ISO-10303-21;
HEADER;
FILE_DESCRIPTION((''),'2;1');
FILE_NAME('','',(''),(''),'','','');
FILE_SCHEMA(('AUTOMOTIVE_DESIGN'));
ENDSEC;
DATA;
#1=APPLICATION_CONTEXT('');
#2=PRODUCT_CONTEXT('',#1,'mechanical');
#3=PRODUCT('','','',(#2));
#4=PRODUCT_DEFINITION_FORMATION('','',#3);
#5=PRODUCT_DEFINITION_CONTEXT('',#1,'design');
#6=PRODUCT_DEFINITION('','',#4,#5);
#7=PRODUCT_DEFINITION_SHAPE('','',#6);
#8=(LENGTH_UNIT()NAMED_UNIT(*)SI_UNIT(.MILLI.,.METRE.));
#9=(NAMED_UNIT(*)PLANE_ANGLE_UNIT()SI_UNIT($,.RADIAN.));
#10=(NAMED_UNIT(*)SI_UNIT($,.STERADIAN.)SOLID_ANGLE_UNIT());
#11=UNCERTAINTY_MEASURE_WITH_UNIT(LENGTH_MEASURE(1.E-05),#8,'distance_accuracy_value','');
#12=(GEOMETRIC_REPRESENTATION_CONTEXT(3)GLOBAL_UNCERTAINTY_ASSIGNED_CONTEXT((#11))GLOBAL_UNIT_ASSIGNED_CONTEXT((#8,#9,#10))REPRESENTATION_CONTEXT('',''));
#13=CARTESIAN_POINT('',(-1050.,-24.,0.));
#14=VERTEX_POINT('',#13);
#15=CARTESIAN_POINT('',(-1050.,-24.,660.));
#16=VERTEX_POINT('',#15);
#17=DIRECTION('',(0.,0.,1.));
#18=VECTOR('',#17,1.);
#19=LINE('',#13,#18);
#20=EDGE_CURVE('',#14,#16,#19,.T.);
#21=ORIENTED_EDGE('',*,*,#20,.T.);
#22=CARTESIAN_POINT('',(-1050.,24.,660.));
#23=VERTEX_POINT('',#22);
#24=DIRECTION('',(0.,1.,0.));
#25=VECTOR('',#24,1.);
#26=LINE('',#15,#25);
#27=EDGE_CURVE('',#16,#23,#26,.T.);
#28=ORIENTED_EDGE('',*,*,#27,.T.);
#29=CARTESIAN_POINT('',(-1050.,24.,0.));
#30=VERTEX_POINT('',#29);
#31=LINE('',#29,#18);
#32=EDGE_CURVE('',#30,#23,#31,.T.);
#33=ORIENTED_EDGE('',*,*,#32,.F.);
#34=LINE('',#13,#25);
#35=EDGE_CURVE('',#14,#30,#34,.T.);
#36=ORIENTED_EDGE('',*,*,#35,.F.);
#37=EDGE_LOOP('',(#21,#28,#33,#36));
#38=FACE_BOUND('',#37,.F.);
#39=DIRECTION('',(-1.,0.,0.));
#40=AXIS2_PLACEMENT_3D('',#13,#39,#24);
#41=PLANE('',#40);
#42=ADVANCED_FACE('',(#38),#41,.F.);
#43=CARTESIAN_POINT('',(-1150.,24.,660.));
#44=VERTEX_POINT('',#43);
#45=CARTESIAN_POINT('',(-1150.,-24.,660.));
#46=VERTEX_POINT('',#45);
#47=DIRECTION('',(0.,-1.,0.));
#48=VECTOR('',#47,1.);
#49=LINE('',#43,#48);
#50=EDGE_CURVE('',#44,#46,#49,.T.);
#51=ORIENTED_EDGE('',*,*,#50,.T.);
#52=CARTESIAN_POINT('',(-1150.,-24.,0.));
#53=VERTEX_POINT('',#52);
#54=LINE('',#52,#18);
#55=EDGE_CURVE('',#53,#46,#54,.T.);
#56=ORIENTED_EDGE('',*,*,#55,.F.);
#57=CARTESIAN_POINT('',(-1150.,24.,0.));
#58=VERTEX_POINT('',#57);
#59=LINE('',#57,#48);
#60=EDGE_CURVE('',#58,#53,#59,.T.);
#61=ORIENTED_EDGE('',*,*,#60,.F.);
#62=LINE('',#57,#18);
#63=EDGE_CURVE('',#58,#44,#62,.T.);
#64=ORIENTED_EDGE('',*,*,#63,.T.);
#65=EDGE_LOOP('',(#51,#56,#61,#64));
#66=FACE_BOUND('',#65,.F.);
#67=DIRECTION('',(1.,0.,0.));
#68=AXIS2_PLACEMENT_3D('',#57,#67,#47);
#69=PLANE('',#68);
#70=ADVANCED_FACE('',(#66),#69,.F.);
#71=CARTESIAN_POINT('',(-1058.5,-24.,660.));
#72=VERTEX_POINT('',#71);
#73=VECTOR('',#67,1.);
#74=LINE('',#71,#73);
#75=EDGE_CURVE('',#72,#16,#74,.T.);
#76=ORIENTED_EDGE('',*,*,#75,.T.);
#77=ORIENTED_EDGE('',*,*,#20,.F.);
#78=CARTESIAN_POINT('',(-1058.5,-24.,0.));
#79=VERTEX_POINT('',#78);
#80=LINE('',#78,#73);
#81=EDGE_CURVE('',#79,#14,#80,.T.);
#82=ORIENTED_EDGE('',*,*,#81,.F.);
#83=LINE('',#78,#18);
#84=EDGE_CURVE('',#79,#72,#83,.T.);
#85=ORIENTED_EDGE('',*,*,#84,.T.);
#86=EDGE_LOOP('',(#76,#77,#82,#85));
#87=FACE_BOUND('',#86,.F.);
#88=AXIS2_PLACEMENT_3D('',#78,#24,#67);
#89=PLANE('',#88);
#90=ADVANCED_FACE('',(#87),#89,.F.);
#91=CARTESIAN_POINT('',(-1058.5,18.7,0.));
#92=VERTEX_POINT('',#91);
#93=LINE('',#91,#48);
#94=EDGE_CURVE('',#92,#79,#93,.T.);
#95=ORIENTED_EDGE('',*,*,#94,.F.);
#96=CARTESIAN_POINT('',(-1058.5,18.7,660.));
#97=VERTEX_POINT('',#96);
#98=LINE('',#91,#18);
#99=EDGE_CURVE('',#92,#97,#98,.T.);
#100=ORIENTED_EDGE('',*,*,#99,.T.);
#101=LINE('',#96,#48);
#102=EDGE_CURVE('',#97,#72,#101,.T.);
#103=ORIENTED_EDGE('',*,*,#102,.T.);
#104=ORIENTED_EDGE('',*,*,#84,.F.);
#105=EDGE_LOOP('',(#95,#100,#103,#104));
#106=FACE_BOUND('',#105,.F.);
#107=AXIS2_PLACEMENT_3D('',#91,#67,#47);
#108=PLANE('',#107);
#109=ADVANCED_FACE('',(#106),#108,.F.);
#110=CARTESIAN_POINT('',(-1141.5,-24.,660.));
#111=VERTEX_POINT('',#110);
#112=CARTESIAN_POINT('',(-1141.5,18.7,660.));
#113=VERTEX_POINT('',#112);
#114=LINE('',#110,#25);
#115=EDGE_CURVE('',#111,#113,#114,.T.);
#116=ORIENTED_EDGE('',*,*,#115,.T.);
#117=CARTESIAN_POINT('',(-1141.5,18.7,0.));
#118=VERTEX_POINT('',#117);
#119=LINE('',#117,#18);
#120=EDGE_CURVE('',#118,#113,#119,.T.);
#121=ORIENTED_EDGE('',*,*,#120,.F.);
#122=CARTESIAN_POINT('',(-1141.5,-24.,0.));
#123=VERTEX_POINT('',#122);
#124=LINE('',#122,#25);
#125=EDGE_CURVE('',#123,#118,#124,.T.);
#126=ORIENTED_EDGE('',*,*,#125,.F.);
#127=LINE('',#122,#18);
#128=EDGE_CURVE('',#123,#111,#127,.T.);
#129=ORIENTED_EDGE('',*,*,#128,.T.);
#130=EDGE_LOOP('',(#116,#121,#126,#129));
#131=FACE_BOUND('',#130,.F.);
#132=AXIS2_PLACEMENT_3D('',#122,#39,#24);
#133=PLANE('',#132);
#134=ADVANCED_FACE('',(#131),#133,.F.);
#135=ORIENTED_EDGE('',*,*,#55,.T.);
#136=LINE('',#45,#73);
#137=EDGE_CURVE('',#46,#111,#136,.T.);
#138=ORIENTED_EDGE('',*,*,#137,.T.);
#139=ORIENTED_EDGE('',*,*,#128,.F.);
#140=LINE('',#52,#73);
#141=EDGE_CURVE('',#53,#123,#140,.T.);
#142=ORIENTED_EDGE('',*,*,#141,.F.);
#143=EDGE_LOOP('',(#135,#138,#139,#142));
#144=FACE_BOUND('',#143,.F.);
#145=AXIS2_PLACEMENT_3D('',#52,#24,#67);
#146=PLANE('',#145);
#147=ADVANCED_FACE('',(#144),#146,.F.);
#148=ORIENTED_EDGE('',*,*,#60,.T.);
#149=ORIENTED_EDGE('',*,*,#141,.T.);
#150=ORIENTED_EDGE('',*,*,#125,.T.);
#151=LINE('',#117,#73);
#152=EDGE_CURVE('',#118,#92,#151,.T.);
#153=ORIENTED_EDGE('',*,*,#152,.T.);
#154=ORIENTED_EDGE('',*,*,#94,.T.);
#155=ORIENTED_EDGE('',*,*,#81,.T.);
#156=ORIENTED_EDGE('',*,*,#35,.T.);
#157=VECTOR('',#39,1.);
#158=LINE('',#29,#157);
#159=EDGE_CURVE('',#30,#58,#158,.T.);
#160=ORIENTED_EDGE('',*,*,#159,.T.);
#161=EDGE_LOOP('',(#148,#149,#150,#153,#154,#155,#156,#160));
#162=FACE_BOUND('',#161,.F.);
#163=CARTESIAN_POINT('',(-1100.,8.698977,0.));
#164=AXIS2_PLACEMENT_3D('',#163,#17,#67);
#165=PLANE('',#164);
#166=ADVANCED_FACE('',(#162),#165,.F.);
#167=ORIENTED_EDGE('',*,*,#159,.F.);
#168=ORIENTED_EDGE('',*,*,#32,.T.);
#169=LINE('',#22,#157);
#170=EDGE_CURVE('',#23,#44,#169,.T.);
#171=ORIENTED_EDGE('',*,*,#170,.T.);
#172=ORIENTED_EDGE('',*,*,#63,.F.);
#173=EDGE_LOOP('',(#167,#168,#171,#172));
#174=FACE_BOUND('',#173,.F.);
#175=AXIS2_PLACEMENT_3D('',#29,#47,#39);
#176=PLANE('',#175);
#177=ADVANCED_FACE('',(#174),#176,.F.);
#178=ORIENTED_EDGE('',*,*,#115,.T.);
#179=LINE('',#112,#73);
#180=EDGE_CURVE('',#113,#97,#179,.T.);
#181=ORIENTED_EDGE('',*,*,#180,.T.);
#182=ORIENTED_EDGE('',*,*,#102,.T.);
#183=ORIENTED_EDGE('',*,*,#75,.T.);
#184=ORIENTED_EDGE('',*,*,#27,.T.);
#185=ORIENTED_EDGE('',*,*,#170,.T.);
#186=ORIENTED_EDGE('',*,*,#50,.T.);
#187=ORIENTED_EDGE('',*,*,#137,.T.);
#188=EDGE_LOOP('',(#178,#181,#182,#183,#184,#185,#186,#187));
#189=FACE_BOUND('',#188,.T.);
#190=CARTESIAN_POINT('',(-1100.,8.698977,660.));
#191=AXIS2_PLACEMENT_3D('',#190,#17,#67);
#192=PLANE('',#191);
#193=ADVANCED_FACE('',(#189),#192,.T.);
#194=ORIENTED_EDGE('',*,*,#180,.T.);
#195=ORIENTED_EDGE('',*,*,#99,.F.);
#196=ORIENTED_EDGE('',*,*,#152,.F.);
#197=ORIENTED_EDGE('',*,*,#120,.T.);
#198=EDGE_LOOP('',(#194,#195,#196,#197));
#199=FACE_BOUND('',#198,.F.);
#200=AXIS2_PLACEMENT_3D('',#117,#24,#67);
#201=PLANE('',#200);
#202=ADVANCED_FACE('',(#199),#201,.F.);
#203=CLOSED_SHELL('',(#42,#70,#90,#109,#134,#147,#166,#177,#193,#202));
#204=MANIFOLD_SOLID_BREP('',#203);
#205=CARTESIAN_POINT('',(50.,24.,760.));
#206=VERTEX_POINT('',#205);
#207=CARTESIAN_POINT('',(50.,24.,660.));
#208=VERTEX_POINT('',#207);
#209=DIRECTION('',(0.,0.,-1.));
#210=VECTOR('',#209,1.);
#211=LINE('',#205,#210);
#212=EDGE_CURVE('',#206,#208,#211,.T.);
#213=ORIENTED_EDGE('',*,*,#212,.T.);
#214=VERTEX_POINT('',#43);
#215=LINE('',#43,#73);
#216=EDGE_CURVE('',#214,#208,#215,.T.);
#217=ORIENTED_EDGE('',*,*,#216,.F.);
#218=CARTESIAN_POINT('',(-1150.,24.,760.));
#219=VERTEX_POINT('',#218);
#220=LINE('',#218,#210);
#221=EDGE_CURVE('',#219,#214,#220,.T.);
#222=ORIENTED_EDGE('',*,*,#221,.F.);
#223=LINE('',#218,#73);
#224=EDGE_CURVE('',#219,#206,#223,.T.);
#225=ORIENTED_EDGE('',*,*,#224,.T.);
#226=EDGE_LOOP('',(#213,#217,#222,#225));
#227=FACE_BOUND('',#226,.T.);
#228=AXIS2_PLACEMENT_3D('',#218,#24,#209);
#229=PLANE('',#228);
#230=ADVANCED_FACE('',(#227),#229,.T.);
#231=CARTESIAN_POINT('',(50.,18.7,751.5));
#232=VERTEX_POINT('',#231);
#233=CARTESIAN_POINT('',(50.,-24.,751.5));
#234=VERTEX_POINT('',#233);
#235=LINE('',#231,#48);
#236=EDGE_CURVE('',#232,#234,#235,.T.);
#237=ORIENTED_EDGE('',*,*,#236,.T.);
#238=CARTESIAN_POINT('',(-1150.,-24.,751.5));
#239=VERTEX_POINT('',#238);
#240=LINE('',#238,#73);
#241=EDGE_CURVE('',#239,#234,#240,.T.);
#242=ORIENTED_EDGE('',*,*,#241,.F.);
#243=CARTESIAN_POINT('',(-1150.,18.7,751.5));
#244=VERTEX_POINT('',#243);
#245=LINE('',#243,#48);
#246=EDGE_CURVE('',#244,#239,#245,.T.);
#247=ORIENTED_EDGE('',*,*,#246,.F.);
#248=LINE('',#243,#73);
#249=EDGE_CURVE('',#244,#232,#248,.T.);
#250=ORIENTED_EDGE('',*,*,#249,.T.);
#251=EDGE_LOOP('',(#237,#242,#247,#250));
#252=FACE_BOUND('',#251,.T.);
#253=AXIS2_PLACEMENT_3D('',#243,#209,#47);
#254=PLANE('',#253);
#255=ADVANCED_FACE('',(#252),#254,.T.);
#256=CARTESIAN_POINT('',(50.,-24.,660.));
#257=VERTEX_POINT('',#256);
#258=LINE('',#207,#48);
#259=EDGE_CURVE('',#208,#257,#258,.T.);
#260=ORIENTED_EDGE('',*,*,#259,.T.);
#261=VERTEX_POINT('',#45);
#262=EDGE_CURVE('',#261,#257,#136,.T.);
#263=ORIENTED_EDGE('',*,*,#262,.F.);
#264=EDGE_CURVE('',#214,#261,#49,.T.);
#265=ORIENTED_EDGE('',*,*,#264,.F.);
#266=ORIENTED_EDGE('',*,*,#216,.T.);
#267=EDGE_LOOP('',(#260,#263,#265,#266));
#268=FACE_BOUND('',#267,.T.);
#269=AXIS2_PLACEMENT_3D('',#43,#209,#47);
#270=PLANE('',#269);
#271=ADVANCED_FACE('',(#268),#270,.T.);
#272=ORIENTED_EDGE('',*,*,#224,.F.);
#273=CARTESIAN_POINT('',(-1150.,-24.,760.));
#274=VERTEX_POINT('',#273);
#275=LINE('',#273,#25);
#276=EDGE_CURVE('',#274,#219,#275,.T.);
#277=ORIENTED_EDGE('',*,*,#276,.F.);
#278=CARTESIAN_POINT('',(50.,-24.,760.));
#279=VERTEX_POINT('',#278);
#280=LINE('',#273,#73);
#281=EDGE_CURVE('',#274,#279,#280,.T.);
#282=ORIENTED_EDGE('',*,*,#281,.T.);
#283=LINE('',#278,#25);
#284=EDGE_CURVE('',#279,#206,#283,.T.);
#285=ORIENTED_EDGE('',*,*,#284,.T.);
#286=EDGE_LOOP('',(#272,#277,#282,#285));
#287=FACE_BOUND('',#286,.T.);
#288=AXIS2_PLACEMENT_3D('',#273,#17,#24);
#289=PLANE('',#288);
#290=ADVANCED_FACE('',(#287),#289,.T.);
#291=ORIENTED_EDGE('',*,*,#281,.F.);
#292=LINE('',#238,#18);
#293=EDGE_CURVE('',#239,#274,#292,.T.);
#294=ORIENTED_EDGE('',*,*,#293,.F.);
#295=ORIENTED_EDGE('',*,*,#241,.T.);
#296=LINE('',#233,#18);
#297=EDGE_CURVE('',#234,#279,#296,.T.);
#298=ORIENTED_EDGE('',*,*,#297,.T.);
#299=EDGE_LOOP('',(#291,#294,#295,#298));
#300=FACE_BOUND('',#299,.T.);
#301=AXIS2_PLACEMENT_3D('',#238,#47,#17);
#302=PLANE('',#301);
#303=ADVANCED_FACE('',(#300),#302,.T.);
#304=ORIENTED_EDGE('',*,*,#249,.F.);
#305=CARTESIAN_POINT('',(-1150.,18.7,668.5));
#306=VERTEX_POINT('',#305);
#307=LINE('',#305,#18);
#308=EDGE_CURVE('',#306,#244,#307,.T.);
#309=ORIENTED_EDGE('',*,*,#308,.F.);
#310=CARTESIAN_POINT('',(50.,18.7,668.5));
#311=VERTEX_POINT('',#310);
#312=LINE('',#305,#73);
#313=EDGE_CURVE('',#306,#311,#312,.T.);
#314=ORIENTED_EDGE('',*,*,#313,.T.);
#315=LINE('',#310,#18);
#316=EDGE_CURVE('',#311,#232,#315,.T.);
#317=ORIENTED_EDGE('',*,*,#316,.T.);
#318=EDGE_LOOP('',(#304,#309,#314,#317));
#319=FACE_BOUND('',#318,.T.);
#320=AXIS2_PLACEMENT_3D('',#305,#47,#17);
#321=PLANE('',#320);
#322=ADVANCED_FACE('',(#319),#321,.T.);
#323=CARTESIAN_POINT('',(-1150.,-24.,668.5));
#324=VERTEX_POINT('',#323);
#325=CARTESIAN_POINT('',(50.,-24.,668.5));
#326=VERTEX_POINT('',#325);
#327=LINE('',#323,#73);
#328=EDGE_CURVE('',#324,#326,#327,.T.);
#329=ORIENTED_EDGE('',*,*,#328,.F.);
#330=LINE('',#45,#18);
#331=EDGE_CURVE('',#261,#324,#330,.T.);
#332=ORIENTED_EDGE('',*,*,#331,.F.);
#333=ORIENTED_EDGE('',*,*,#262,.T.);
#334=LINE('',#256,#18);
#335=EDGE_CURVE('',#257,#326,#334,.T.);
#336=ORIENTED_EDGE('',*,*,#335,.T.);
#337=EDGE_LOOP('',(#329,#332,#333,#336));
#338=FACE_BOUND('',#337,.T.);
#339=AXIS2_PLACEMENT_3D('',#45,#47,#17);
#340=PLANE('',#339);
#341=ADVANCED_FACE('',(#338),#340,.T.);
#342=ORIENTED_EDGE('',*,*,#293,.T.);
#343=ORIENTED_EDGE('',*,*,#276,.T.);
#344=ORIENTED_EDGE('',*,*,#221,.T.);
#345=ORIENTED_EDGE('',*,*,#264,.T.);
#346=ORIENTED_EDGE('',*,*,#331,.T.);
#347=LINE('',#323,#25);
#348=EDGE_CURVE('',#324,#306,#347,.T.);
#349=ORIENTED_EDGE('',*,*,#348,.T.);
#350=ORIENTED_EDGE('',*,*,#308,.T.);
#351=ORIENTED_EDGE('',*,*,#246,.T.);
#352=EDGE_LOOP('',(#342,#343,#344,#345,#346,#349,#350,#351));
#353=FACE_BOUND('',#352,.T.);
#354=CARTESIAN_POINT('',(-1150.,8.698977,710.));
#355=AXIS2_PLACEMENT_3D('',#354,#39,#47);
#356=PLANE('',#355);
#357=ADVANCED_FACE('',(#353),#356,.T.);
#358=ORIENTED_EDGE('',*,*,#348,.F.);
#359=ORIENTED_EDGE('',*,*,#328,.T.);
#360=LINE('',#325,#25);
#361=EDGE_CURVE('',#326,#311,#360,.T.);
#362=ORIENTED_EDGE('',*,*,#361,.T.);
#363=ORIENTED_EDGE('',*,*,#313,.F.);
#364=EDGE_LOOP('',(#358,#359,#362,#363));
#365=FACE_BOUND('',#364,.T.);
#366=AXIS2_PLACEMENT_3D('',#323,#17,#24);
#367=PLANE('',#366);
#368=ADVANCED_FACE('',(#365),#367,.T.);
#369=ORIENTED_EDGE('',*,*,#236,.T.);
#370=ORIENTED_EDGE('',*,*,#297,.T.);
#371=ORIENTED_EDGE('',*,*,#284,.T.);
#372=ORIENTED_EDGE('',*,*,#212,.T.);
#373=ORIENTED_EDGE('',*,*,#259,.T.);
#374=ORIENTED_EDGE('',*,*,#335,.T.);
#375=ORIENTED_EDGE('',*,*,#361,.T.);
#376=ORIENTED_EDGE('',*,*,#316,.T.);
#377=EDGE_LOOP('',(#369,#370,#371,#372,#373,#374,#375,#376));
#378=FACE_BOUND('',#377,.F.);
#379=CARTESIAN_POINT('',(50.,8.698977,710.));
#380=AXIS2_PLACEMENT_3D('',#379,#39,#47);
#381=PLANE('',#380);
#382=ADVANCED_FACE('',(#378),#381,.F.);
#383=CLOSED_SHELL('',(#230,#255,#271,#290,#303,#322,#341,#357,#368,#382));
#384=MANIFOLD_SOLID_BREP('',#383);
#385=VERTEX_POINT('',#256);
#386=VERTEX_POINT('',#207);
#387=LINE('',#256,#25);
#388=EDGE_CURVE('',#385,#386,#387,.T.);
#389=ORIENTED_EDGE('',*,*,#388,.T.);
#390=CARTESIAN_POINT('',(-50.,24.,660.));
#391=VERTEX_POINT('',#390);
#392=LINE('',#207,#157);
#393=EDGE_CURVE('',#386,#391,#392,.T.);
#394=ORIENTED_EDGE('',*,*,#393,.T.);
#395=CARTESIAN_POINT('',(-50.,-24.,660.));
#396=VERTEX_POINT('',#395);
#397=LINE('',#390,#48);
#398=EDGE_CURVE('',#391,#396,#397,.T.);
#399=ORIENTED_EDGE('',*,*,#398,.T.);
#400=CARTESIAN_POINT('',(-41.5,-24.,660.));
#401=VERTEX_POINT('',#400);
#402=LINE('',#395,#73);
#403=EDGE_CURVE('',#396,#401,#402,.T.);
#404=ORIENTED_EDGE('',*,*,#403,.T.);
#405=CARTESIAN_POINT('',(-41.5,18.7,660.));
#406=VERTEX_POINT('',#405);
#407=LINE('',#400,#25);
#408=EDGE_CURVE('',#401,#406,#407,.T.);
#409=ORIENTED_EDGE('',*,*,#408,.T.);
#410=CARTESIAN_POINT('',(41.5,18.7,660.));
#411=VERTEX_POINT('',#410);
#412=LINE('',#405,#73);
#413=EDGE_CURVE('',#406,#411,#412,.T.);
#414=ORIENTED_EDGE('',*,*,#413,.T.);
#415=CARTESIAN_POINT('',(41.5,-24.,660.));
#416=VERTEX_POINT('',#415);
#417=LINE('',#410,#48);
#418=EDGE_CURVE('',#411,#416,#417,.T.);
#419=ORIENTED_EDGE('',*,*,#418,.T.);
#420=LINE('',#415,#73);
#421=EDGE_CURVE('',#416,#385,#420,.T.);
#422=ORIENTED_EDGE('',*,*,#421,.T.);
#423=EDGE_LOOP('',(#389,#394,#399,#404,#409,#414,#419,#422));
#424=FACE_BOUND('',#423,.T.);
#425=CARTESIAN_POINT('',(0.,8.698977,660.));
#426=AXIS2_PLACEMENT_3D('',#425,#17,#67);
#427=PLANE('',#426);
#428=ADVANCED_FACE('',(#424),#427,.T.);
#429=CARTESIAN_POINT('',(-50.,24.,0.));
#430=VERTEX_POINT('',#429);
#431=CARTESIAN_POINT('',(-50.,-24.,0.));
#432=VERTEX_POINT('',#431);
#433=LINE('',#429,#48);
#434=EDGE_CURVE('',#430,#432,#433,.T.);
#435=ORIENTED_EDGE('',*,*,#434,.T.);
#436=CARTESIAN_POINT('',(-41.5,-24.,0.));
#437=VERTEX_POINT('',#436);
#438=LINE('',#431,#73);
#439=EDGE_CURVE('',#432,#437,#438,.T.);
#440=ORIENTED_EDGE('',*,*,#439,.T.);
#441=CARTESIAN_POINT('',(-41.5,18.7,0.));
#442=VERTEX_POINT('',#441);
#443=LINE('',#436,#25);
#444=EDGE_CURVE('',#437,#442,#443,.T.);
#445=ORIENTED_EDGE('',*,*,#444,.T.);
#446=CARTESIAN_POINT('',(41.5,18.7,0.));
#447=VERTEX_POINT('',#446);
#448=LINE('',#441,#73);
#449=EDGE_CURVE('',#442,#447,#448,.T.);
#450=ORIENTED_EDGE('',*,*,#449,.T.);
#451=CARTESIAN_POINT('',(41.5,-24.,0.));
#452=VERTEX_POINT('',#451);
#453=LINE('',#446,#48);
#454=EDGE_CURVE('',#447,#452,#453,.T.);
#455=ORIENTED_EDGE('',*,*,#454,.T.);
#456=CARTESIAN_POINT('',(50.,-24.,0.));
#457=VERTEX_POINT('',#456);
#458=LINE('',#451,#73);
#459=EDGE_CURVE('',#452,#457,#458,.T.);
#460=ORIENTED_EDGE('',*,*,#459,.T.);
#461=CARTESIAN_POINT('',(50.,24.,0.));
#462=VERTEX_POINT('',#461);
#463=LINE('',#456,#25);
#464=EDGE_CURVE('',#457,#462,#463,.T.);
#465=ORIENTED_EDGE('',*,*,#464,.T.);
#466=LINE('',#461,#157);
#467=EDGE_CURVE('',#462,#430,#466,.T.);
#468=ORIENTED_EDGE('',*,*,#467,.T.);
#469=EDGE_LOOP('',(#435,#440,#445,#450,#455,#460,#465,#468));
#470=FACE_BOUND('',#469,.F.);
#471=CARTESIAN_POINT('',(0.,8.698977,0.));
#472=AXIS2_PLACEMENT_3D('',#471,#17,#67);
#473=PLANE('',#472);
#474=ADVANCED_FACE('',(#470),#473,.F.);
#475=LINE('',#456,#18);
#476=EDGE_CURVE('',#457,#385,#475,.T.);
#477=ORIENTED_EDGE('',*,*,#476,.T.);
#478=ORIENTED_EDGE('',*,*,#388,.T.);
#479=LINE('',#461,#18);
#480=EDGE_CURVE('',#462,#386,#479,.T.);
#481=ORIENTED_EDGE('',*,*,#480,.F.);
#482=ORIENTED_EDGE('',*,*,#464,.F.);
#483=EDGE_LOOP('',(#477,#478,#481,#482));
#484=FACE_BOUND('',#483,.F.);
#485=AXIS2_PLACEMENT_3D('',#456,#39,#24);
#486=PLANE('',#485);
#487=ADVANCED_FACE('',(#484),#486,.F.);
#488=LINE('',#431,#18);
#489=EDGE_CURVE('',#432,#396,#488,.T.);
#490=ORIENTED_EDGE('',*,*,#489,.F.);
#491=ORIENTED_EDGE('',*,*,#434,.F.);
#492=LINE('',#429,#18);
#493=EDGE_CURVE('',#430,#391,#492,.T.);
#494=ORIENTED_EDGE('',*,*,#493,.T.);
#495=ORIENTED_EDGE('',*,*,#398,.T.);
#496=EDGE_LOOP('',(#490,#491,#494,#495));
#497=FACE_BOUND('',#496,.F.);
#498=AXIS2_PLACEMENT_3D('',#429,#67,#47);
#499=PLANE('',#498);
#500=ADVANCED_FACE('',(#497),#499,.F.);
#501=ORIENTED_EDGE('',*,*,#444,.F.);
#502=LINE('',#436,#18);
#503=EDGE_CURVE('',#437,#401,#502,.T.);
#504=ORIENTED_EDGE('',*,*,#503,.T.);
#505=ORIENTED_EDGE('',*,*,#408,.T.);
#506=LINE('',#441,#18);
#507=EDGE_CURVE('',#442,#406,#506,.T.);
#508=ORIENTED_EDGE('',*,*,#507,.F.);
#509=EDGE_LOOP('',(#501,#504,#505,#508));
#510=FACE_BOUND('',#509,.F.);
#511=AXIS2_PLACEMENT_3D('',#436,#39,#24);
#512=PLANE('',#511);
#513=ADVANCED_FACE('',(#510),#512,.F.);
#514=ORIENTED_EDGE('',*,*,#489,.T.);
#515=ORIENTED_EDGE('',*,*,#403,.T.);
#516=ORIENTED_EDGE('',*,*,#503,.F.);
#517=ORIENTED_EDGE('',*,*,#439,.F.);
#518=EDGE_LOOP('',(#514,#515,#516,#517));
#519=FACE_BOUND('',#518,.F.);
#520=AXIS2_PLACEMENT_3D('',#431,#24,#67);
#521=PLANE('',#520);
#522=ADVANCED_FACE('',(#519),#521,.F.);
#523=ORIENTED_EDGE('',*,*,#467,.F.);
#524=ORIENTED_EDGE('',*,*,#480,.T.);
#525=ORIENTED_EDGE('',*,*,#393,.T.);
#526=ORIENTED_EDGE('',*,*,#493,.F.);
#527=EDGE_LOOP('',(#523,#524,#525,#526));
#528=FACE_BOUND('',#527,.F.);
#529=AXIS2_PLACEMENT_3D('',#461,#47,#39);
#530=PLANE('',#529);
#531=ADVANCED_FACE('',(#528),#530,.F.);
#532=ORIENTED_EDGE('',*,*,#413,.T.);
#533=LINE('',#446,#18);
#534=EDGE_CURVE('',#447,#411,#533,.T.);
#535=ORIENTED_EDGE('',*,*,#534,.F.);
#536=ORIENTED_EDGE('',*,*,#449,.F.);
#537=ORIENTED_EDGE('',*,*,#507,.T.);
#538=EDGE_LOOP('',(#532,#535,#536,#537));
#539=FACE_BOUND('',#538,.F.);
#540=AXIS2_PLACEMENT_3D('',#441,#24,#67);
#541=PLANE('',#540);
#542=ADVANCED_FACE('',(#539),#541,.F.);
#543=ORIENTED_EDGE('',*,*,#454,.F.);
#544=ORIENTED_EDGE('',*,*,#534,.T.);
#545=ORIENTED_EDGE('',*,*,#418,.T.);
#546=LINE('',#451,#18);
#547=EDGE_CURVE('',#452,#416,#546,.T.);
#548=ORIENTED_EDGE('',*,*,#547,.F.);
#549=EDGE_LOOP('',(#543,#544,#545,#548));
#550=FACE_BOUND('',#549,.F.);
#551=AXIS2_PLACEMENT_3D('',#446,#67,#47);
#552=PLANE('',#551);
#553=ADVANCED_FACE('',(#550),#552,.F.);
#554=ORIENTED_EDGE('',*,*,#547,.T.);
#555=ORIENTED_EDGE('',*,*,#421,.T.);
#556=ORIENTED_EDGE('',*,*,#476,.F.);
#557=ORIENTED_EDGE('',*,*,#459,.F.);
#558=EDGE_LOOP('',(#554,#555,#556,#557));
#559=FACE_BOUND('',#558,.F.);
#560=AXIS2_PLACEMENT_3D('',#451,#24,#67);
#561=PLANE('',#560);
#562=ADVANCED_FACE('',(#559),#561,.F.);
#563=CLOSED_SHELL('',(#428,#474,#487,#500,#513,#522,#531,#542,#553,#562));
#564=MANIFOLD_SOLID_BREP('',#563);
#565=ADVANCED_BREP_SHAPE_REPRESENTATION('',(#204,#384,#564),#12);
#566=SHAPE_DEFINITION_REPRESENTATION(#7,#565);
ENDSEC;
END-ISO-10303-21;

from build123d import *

# Parameters (mm, degrees)
F2_DEPTH = 660
F5_DEPTH = 1200


with BuildPart() as f2:
    # F1 (on Top) → F2 (new body)
    with BuildSketch(Plane.XY):
        Polygon((-1058.5, -24), (-1050, -24), (-1050, 24), (-1150, 24), (-1150, -24), (-1141.5, -24), (-1141.5, 18.7), (-1058.5, 18.7), align=None)
    extrude(amount=F2_DEPTH)


with BuildPart() as f2b:
    # F0 (on Top) → F2, piece 2 (new body)
    with BuildSketch(Plane.XY):
        Polygon((41.5, -24), (50, -24), (50, 24), (-50, 24), (-50, -24), (-41.5, -24), (-41.5, 18.7), (41.5, 18.7), align=None)
    extrude(amount=F2_DEPTH)


with BuildPart() as f5:
    # F4 (on offset) → F5 (new body, through all)
    with BuildSketch(Plane(origin=(-1150, 0, 0), x_dir=(0, -1, 0), z_dir=(-1, 0, 0))):
        Polygon((-24, 760), (-24, 660), (24, 660), (24, 668.5), (-18.7, 668.5), (-18.7, 751.5), (24, 751.5), (24, 760), align=None)
    extrude(amount=-F5_DEPTH)


solid = Compound([f2.part, f2b.part, f5.part])
